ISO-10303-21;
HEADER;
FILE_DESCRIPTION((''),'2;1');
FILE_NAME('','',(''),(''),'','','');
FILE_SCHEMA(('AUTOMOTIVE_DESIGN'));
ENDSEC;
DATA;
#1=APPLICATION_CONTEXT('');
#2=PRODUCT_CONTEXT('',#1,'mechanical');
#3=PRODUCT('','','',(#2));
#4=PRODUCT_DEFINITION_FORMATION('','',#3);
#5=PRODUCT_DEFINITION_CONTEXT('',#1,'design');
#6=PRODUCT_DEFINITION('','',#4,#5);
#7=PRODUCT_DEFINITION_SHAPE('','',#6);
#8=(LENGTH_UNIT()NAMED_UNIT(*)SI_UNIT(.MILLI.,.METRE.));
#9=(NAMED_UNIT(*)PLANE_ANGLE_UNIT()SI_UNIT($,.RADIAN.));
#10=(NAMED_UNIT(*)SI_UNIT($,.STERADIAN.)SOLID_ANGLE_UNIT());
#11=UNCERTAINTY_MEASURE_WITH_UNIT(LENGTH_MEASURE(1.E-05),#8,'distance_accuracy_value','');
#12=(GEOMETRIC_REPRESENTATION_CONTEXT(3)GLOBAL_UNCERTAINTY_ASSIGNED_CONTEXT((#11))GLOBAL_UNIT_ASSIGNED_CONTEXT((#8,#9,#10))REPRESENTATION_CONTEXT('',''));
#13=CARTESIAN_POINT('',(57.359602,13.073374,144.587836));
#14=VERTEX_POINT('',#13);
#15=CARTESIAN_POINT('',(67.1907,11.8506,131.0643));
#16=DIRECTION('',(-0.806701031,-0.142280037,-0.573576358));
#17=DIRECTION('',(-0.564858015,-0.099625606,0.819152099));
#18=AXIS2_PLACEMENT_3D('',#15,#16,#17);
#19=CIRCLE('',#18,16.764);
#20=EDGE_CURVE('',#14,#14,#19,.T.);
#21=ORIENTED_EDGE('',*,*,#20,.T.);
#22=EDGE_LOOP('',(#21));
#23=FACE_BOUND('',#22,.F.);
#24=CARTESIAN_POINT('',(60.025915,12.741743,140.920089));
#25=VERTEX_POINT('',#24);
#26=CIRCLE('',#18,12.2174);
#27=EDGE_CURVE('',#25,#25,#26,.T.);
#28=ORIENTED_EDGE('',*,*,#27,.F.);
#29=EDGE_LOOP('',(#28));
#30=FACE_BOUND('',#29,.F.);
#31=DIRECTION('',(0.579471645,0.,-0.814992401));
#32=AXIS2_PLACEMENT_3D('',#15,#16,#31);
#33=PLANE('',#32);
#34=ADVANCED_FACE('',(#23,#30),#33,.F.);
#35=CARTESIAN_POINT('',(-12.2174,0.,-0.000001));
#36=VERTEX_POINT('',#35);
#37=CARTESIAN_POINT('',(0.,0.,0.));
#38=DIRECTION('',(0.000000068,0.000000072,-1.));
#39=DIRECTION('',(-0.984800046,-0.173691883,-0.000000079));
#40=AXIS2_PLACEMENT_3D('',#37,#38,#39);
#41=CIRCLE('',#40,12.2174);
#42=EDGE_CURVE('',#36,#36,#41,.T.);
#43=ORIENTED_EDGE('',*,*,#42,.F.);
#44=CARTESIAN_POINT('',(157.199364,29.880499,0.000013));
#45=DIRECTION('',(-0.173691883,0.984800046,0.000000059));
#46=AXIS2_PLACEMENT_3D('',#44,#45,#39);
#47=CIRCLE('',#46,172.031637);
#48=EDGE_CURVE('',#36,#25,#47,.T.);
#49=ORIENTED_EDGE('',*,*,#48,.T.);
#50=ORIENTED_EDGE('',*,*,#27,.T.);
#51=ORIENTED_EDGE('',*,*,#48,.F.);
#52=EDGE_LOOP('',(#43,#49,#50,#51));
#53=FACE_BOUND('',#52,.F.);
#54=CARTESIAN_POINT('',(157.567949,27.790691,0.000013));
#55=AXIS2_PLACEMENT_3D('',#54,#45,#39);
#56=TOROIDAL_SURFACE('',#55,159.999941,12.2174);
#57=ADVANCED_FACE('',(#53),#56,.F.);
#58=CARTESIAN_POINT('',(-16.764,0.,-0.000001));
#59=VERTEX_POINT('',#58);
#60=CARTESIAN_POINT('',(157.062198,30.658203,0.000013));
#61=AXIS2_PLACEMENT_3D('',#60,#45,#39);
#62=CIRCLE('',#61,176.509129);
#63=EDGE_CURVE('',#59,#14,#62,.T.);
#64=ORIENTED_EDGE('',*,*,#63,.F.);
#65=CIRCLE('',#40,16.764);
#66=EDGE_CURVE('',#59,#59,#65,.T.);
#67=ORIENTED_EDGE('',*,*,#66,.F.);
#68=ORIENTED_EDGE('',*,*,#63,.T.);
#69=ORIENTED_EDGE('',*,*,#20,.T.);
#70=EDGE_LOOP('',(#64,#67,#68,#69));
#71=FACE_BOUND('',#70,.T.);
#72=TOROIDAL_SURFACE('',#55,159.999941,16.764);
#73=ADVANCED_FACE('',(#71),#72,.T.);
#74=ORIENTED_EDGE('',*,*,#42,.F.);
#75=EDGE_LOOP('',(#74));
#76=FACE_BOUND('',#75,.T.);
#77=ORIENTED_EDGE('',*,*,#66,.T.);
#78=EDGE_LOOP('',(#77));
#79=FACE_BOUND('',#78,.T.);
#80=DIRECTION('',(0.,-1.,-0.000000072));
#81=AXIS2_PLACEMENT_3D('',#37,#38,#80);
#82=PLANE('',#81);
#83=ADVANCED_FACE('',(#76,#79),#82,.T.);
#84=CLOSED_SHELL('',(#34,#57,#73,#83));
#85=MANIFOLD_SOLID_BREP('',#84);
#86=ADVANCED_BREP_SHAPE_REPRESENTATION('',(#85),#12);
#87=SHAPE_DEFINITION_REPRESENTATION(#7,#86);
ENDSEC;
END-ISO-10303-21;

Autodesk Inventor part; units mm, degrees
ref_plane "Start Plane" through (0, 0, 0) normal (0, 0, 1) x (1, 0, 0)
ref_plane "End Plane" through (0, 0, 153.589) normal (0, 0, 1) x (1, 0, 0)
sketch "Sketch" plane through (0, 0, 0) normal (0, 0, -1) x (-1, 0, 0)
  circle A0 centre (0, 0) radius 12.2174
  circle A1 centre (0, 0) radius 16.764
  dimension "d0" = 33.528
  dimension "d1" = 4.5466
sketch "Sketch3" plane through (0, 0, 0) normal (0, 0, 1) x (1, 0, 0)
  line L0 (0, 0) -> (10, 0)
ref_plane "Work Plane3" through (0, 0, 0) normal (0, -1, 0) x (1, 0, 0)
ref_plane "Orientation Work Plane" through (0, 0, 0) normal (0, 0, -1) x (-1, 0, 0)
sketch3d "Sweep Path"
  arc A0 (0, 0, 0) -> (67.1907, 11.8506, 131.0643) centre (157.568, 27.7907, 0) ccw
sweep "Body" add profiles "Sketch" path "Sweep Path"
sketch "Sketch4" plane through (0, 0, 0) normal (0, -1, 0) x (1, 0, 0)
  line L0 (-2, 0) -> (12, 0) projected
  line L1 (-35.5363, 153.589) -> (95.8699, 153.589) projected
  dimension "d7" = 153.589
equation "\"d0\" = G_H"
equation "\"d1\" = G_T"
equation "\"G_H\" = 33.528"
equation "\"G_T\" = 4.5466"
equation "\"G_L\" = d7"
equation "\"G_OFFSET_START\" = 0"
equation "\"G_OFFSET_END\" = 0"
equation "\"d5\" = G_OFFSET_END + B_L"
equation "\"B_L\" = 153.58897"
properties part number "ANSI - 1 x 0.179 - 6.047" material "Steel, Mild"
